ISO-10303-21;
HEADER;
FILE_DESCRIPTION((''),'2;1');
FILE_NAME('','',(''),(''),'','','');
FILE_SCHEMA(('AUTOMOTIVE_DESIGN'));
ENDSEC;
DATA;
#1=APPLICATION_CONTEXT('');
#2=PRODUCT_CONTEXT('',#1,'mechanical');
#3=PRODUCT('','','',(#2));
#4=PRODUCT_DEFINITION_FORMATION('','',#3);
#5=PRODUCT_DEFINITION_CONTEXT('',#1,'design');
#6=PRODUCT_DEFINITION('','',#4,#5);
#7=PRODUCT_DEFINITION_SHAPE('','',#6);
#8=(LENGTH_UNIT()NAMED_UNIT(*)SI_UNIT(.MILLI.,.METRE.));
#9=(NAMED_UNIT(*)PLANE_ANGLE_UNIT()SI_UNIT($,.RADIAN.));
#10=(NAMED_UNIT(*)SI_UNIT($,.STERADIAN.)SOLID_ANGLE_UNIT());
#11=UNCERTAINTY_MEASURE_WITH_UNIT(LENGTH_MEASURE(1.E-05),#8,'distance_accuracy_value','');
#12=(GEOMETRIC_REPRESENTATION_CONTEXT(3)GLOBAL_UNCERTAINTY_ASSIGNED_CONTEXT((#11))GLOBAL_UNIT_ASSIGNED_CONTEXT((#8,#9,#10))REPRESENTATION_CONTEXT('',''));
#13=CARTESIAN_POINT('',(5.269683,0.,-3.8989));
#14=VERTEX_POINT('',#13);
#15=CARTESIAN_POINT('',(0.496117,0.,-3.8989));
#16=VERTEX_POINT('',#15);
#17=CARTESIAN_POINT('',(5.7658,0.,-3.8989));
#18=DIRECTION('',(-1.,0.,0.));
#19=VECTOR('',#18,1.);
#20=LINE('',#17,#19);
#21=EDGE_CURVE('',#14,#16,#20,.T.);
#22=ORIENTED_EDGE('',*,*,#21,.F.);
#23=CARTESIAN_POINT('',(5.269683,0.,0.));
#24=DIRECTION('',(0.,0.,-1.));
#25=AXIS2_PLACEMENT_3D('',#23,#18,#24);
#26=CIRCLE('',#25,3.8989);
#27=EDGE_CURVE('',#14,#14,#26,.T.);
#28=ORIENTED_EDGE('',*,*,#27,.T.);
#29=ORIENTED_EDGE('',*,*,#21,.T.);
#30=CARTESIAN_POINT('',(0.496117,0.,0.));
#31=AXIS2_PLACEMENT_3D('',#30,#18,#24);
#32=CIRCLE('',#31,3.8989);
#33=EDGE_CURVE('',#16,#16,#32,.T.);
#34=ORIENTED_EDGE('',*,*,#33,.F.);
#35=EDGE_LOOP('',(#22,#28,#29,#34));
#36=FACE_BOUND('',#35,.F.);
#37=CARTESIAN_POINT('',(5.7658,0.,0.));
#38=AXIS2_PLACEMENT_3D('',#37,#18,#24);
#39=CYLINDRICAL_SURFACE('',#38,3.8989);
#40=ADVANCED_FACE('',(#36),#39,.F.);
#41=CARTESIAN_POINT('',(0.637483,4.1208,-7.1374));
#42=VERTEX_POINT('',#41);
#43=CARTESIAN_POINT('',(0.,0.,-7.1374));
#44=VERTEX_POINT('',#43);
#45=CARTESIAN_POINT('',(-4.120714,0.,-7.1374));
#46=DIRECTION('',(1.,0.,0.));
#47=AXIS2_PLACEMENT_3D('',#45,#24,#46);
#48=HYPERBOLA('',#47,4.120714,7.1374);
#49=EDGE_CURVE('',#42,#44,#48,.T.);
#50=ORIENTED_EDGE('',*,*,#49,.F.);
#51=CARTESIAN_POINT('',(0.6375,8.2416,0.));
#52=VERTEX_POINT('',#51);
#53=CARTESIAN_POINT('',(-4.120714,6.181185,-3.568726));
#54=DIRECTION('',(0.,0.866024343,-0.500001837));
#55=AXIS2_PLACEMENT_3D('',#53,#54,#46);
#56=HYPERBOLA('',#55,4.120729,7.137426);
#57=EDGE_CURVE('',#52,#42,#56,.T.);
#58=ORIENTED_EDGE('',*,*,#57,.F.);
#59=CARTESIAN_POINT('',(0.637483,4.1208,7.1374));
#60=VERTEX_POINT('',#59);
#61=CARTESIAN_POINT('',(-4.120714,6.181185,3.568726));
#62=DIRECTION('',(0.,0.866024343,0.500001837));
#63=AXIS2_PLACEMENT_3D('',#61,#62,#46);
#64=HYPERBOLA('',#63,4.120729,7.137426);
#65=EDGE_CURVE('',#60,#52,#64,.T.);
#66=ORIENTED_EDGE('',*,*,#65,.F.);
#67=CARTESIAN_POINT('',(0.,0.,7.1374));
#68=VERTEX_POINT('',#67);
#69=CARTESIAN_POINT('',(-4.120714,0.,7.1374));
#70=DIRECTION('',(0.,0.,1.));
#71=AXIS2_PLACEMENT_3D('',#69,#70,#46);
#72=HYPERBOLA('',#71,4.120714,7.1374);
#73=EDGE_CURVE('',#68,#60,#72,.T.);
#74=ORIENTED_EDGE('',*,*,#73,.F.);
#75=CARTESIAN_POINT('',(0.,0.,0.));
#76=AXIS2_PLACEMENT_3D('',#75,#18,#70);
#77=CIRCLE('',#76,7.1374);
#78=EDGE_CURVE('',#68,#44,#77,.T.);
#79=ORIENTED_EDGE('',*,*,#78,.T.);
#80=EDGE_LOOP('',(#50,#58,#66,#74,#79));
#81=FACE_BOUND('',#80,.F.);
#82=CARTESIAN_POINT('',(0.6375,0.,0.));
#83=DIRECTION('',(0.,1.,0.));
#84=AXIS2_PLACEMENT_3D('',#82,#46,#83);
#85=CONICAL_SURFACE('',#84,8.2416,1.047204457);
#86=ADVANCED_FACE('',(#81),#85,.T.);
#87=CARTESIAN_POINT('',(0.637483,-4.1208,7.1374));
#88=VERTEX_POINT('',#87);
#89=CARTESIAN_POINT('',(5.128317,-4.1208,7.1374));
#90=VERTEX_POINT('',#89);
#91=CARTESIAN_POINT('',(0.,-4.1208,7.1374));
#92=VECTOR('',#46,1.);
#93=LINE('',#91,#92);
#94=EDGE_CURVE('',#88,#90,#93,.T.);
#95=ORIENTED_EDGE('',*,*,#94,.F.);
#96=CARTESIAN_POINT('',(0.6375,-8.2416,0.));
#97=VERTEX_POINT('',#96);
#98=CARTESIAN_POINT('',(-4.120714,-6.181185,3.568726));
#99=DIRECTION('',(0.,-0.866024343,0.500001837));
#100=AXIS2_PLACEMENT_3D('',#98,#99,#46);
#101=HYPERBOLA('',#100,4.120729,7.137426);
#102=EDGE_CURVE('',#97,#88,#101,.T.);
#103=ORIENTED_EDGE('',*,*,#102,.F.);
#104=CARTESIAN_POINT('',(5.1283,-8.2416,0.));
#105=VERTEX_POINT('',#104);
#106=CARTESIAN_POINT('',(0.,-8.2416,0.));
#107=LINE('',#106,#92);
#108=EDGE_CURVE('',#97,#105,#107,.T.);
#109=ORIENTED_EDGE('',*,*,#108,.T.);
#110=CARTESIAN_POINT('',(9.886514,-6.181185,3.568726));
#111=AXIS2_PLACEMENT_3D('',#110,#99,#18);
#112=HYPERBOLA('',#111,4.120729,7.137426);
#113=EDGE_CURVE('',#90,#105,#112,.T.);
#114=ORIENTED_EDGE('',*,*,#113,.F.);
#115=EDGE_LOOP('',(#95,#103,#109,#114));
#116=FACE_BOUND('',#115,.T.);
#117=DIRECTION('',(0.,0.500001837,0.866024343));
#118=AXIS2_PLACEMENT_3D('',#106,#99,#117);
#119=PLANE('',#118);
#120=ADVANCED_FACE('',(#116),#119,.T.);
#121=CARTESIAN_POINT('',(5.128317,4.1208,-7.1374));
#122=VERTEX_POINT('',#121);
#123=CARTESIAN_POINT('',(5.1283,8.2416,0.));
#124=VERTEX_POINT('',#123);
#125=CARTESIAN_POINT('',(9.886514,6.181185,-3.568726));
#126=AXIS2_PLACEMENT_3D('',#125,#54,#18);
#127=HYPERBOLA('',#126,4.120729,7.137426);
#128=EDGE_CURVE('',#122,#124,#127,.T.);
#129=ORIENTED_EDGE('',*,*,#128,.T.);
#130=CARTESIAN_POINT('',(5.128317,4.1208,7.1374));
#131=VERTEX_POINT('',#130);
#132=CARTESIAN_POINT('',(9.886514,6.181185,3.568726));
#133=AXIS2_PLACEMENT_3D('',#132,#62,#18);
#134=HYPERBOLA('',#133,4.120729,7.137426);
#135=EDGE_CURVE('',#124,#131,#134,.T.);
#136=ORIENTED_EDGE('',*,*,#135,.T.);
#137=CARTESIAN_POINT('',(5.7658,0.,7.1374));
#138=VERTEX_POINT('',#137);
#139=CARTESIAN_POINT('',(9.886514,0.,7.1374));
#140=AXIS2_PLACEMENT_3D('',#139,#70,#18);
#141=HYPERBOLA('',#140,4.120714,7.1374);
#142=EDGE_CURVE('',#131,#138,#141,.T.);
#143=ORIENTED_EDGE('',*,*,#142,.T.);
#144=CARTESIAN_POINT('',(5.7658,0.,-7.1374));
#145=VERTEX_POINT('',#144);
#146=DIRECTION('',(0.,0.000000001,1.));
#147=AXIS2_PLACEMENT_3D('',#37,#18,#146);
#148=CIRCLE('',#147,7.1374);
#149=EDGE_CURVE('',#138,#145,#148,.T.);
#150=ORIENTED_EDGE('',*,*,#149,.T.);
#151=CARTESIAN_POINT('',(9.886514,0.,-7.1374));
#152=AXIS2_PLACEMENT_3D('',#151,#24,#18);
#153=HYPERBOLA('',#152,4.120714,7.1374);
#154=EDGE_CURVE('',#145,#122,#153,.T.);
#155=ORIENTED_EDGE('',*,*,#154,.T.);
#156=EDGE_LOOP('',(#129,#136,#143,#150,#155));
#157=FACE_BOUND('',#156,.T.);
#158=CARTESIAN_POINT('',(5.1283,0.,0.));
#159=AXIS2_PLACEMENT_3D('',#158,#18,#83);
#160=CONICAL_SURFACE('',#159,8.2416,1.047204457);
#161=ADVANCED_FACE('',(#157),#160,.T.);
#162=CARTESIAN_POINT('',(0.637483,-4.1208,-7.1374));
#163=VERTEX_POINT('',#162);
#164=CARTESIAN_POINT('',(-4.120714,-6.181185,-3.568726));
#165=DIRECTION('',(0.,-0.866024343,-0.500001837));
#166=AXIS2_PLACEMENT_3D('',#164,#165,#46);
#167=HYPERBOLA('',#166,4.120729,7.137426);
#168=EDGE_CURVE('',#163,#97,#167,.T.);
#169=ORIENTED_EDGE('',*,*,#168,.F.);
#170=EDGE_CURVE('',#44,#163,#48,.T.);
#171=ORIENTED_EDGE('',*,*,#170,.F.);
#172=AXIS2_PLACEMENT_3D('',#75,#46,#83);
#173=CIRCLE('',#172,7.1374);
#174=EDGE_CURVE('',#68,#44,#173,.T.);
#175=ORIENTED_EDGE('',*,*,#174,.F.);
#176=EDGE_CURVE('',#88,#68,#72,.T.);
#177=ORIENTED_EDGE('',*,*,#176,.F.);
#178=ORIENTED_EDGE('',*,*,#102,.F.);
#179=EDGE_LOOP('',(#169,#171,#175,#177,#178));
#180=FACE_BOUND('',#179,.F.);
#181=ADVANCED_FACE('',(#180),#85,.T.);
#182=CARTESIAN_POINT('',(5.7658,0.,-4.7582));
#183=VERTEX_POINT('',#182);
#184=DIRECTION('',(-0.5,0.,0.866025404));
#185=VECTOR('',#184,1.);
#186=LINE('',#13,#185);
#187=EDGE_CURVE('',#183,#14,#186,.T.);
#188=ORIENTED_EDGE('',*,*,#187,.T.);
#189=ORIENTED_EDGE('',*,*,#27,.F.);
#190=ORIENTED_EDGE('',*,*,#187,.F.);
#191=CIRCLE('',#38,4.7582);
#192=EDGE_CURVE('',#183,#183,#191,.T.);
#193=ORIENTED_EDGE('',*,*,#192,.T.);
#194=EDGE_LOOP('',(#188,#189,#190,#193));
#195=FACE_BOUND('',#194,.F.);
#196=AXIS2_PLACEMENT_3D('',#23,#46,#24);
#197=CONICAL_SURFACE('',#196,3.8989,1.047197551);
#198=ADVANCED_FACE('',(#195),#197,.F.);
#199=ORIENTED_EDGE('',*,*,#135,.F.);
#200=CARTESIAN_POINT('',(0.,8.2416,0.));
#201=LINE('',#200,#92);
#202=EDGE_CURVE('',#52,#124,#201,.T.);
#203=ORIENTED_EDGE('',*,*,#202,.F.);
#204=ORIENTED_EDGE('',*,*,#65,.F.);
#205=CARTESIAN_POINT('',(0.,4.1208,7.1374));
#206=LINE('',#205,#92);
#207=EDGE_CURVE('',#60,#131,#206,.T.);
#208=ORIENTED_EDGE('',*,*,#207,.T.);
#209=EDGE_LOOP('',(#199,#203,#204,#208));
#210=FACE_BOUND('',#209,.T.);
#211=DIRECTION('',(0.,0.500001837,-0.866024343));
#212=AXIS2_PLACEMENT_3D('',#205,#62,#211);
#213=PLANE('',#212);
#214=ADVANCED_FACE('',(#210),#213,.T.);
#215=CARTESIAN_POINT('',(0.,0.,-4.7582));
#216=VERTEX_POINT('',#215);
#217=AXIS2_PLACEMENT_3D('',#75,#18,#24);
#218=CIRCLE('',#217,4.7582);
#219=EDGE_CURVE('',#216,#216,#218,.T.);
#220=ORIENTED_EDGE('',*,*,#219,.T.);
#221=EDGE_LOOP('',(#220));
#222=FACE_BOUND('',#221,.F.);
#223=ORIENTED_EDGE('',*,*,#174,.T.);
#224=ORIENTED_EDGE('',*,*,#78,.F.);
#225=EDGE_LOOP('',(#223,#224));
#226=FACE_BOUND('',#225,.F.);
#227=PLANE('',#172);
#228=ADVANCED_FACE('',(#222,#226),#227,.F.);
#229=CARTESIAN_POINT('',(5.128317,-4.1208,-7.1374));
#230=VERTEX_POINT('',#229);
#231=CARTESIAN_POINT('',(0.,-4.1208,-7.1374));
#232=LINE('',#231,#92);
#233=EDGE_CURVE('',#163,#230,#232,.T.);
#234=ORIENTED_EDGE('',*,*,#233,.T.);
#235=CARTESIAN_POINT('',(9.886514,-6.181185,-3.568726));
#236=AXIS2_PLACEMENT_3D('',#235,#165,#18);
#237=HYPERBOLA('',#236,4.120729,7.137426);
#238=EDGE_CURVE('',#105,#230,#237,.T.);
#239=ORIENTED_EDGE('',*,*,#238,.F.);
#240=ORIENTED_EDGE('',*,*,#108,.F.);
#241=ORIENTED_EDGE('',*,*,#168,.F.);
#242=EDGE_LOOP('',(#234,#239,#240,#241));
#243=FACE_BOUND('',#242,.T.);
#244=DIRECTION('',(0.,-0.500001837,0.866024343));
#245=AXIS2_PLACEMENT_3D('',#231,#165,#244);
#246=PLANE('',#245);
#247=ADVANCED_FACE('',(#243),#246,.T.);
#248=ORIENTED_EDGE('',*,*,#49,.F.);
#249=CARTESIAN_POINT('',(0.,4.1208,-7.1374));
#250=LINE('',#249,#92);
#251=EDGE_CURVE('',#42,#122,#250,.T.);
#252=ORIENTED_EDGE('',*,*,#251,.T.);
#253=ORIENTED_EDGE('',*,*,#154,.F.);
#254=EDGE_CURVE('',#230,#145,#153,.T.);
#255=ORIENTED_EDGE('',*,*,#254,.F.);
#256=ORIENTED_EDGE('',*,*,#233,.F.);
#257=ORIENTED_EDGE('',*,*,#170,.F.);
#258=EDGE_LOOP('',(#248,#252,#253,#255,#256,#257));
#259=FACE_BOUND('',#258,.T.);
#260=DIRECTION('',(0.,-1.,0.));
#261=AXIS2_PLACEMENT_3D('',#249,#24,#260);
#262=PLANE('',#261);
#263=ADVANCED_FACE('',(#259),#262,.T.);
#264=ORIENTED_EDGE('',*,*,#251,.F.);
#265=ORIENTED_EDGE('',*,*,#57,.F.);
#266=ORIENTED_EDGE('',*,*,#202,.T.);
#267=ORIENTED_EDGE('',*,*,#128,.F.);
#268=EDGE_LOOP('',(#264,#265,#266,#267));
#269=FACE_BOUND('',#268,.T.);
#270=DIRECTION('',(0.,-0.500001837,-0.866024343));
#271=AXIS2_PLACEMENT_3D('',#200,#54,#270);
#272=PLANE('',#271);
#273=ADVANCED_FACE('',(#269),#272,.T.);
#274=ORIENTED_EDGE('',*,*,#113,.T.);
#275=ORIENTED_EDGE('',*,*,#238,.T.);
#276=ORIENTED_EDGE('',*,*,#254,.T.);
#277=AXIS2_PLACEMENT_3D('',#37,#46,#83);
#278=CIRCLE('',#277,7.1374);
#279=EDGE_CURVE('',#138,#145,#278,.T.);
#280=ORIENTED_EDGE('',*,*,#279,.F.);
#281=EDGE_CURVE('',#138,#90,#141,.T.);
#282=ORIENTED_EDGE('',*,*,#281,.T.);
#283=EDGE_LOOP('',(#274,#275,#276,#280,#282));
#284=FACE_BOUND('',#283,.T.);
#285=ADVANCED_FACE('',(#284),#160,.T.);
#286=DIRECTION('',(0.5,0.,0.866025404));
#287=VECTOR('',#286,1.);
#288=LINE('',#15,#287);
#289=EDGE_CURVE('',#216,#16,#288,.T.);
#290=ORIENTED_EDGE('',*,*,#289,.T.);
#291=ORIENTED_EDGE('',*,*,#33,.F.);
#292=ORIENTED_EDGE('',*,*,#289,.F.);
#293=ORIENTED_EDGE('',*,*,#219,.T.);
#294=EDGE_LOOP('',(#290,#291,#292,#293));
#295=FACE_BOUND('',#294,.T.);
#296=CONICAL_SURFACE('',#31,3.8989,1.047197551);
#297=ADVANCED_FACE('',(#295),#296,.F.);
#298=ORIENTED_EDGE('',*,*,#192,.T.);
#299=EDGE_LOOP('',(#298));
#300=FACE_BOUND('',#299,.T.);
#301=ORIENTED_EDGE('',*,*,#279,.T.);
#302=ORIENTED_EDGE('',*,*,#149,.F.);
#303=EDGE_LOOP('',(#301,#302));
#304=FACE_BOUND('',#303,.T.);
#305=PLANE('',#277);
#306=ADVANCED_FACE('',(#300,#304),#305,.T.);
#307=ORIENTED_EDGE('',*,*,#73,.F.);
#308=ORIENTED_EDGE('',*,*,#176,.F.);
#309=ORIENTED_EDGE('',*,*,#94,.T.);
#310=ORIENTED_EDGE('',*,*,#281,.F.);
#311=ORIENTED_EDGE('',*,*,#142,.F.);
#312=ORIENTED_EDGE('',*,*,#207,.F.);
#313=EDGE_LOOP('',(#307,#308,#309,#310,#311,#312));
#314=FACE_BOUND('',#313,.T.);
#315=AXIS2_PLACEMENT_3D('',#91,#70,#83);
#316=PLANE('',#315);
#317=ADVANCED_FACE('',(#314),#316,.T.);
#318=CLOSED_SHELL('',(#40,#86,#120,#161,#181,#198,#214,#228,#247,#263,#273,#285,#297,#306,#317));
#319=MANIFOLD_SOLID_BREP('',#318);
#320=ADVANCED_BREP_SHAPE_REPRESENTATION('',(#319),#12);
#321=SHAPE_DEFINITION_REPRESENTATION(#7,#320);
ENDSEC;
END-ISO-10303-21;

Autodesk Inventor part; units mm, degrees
ref_plane "YZ Plane" through (0, 0, 0) normal (1, 0, 0) x (0, 1, 0)
ref_plane "XZ Plane" through (0, 0, 0) normal (0, 1, 0) x (-1, 0, 0)
sketch "Sketch1" plane through (0, 0, 0) normal (1, 0, 0) x (0, 1, 0)
  line L0 (-8.2416, 0) -> (-4.1208, 7.1374)
  line L1 (-4.1208, 7.1374) -> (4.1208, 7.1374)
  line L2 (4.1208, 7.1374) -> (8.2416, 0)
  line L3 (8.2416, 0) -> (4.1208, -7.1374)
  line L4 (4.1208, -7.1374) -> (-4.1208, -7.1374)
  line L5 (-4.1208, -7.1374) -> (-8.2416, 0)
  point P0 (0, 0)
  point P1 (0, 0)
  dimension "d0" = 16.4831
extrude "Body" add sketch "Sketch1" along normal blind 5.7658
sketch "Sketch2" plane through (0, 0, 0) normal (0, 0, 1) x (1, 0, 0)
  line L0 (0, 4.1208) -> (0, 8.2416) projected
  line L1 (0, 8.2416) -> (5.7658, 8.2416) projected
  line L2 (5.7658, 4.1208) -> (5.7658, 8.2416) projected
  line L3 (-1.1532, 0) -> (6.919, 0) projected
  line L4 (0.6375, 8.2416) -> (0, 7.1374)
  line L5 (5.1283, 8.2416) -> (5.7658, 7.1374)
  dimension "d3" = 30
  dimension "d4" = 30
  dimension "d5" = 14.2748
  dimension "d6" = 14.2748
revolve "Chamfer1" cut sketch "Sketch2" angle 360 about axis through (-10, 0, 0) along (1, 0, 0)
sketch "Sketch3" plane through (5.7658, 0, 0) normal (1, 0, 0) x (0, 0, -1)
  arc A0 (-3.5687, -6.1812) -> (3.5687, -6.1812) centre (0, 0) ccw projected
hole "Thread" at (5.7658, 0, 0) direction (-1, 0, 0) diameter 7.7978 end through all thread size "3/8-16 UNC" class "2B" standard "ANSI Unified Screw Threads"
chamfer "Chamfer2" distance 0.8593 angle 30 1 edges at (5.7658, 0, 3.8989) measured on face at (5.7658, 6.0224, 0.1567)
chamfer "Chamfer3" distance 0.8593 angle 30 1 edges at (0, 0, 3.8989) measured on face at (0, 6.0224, 0.1567)
ref_plane "Work Plane1" through (-16.7887, 0, 0) normal (0, -0.866, -0.5) x (1, 0, 0)
equation "\"d0\" = 1.1547 * SW"
equation "\"d1\" = KOH"
equation "\"d3\" = ANG1"
equation "\"d4\" = ANG2"
equation "\"d5\" = SW0"
equation "\"d6\" = SW01"
equation "\"d8\" = -0.5 * GD1 + 0.5 * NND"
equation "\"d40\" = -0.5 * GD1 + 0.5 * NND"
equation "\"d10\" = -0.5 * GD1 + 0.5 * NND"
equation "\"d41\" = -0.5 * GD1 + 0.5 * NND"
equation "\"ANG1\" = 30deg"
equation "\"ANG2\" = 30deg"
equation "\"NND\" = 9.525"
equation "\"KOH\" = 5.7658"
equation "\"SW\" = 14.2748"
equation "\"SW0\" = SW"
equation "\"SW01\" = SW"
equation "\"THREADDIA\" = 9.525"
equation "\"TOA\" = 30deg"
equation "\"E0\" = 1.155 * SW"
equation "\"GD1\" = 7.806481"
properties part number "AS 2465 - 3/8  UNC" material "Steel, Mild"
